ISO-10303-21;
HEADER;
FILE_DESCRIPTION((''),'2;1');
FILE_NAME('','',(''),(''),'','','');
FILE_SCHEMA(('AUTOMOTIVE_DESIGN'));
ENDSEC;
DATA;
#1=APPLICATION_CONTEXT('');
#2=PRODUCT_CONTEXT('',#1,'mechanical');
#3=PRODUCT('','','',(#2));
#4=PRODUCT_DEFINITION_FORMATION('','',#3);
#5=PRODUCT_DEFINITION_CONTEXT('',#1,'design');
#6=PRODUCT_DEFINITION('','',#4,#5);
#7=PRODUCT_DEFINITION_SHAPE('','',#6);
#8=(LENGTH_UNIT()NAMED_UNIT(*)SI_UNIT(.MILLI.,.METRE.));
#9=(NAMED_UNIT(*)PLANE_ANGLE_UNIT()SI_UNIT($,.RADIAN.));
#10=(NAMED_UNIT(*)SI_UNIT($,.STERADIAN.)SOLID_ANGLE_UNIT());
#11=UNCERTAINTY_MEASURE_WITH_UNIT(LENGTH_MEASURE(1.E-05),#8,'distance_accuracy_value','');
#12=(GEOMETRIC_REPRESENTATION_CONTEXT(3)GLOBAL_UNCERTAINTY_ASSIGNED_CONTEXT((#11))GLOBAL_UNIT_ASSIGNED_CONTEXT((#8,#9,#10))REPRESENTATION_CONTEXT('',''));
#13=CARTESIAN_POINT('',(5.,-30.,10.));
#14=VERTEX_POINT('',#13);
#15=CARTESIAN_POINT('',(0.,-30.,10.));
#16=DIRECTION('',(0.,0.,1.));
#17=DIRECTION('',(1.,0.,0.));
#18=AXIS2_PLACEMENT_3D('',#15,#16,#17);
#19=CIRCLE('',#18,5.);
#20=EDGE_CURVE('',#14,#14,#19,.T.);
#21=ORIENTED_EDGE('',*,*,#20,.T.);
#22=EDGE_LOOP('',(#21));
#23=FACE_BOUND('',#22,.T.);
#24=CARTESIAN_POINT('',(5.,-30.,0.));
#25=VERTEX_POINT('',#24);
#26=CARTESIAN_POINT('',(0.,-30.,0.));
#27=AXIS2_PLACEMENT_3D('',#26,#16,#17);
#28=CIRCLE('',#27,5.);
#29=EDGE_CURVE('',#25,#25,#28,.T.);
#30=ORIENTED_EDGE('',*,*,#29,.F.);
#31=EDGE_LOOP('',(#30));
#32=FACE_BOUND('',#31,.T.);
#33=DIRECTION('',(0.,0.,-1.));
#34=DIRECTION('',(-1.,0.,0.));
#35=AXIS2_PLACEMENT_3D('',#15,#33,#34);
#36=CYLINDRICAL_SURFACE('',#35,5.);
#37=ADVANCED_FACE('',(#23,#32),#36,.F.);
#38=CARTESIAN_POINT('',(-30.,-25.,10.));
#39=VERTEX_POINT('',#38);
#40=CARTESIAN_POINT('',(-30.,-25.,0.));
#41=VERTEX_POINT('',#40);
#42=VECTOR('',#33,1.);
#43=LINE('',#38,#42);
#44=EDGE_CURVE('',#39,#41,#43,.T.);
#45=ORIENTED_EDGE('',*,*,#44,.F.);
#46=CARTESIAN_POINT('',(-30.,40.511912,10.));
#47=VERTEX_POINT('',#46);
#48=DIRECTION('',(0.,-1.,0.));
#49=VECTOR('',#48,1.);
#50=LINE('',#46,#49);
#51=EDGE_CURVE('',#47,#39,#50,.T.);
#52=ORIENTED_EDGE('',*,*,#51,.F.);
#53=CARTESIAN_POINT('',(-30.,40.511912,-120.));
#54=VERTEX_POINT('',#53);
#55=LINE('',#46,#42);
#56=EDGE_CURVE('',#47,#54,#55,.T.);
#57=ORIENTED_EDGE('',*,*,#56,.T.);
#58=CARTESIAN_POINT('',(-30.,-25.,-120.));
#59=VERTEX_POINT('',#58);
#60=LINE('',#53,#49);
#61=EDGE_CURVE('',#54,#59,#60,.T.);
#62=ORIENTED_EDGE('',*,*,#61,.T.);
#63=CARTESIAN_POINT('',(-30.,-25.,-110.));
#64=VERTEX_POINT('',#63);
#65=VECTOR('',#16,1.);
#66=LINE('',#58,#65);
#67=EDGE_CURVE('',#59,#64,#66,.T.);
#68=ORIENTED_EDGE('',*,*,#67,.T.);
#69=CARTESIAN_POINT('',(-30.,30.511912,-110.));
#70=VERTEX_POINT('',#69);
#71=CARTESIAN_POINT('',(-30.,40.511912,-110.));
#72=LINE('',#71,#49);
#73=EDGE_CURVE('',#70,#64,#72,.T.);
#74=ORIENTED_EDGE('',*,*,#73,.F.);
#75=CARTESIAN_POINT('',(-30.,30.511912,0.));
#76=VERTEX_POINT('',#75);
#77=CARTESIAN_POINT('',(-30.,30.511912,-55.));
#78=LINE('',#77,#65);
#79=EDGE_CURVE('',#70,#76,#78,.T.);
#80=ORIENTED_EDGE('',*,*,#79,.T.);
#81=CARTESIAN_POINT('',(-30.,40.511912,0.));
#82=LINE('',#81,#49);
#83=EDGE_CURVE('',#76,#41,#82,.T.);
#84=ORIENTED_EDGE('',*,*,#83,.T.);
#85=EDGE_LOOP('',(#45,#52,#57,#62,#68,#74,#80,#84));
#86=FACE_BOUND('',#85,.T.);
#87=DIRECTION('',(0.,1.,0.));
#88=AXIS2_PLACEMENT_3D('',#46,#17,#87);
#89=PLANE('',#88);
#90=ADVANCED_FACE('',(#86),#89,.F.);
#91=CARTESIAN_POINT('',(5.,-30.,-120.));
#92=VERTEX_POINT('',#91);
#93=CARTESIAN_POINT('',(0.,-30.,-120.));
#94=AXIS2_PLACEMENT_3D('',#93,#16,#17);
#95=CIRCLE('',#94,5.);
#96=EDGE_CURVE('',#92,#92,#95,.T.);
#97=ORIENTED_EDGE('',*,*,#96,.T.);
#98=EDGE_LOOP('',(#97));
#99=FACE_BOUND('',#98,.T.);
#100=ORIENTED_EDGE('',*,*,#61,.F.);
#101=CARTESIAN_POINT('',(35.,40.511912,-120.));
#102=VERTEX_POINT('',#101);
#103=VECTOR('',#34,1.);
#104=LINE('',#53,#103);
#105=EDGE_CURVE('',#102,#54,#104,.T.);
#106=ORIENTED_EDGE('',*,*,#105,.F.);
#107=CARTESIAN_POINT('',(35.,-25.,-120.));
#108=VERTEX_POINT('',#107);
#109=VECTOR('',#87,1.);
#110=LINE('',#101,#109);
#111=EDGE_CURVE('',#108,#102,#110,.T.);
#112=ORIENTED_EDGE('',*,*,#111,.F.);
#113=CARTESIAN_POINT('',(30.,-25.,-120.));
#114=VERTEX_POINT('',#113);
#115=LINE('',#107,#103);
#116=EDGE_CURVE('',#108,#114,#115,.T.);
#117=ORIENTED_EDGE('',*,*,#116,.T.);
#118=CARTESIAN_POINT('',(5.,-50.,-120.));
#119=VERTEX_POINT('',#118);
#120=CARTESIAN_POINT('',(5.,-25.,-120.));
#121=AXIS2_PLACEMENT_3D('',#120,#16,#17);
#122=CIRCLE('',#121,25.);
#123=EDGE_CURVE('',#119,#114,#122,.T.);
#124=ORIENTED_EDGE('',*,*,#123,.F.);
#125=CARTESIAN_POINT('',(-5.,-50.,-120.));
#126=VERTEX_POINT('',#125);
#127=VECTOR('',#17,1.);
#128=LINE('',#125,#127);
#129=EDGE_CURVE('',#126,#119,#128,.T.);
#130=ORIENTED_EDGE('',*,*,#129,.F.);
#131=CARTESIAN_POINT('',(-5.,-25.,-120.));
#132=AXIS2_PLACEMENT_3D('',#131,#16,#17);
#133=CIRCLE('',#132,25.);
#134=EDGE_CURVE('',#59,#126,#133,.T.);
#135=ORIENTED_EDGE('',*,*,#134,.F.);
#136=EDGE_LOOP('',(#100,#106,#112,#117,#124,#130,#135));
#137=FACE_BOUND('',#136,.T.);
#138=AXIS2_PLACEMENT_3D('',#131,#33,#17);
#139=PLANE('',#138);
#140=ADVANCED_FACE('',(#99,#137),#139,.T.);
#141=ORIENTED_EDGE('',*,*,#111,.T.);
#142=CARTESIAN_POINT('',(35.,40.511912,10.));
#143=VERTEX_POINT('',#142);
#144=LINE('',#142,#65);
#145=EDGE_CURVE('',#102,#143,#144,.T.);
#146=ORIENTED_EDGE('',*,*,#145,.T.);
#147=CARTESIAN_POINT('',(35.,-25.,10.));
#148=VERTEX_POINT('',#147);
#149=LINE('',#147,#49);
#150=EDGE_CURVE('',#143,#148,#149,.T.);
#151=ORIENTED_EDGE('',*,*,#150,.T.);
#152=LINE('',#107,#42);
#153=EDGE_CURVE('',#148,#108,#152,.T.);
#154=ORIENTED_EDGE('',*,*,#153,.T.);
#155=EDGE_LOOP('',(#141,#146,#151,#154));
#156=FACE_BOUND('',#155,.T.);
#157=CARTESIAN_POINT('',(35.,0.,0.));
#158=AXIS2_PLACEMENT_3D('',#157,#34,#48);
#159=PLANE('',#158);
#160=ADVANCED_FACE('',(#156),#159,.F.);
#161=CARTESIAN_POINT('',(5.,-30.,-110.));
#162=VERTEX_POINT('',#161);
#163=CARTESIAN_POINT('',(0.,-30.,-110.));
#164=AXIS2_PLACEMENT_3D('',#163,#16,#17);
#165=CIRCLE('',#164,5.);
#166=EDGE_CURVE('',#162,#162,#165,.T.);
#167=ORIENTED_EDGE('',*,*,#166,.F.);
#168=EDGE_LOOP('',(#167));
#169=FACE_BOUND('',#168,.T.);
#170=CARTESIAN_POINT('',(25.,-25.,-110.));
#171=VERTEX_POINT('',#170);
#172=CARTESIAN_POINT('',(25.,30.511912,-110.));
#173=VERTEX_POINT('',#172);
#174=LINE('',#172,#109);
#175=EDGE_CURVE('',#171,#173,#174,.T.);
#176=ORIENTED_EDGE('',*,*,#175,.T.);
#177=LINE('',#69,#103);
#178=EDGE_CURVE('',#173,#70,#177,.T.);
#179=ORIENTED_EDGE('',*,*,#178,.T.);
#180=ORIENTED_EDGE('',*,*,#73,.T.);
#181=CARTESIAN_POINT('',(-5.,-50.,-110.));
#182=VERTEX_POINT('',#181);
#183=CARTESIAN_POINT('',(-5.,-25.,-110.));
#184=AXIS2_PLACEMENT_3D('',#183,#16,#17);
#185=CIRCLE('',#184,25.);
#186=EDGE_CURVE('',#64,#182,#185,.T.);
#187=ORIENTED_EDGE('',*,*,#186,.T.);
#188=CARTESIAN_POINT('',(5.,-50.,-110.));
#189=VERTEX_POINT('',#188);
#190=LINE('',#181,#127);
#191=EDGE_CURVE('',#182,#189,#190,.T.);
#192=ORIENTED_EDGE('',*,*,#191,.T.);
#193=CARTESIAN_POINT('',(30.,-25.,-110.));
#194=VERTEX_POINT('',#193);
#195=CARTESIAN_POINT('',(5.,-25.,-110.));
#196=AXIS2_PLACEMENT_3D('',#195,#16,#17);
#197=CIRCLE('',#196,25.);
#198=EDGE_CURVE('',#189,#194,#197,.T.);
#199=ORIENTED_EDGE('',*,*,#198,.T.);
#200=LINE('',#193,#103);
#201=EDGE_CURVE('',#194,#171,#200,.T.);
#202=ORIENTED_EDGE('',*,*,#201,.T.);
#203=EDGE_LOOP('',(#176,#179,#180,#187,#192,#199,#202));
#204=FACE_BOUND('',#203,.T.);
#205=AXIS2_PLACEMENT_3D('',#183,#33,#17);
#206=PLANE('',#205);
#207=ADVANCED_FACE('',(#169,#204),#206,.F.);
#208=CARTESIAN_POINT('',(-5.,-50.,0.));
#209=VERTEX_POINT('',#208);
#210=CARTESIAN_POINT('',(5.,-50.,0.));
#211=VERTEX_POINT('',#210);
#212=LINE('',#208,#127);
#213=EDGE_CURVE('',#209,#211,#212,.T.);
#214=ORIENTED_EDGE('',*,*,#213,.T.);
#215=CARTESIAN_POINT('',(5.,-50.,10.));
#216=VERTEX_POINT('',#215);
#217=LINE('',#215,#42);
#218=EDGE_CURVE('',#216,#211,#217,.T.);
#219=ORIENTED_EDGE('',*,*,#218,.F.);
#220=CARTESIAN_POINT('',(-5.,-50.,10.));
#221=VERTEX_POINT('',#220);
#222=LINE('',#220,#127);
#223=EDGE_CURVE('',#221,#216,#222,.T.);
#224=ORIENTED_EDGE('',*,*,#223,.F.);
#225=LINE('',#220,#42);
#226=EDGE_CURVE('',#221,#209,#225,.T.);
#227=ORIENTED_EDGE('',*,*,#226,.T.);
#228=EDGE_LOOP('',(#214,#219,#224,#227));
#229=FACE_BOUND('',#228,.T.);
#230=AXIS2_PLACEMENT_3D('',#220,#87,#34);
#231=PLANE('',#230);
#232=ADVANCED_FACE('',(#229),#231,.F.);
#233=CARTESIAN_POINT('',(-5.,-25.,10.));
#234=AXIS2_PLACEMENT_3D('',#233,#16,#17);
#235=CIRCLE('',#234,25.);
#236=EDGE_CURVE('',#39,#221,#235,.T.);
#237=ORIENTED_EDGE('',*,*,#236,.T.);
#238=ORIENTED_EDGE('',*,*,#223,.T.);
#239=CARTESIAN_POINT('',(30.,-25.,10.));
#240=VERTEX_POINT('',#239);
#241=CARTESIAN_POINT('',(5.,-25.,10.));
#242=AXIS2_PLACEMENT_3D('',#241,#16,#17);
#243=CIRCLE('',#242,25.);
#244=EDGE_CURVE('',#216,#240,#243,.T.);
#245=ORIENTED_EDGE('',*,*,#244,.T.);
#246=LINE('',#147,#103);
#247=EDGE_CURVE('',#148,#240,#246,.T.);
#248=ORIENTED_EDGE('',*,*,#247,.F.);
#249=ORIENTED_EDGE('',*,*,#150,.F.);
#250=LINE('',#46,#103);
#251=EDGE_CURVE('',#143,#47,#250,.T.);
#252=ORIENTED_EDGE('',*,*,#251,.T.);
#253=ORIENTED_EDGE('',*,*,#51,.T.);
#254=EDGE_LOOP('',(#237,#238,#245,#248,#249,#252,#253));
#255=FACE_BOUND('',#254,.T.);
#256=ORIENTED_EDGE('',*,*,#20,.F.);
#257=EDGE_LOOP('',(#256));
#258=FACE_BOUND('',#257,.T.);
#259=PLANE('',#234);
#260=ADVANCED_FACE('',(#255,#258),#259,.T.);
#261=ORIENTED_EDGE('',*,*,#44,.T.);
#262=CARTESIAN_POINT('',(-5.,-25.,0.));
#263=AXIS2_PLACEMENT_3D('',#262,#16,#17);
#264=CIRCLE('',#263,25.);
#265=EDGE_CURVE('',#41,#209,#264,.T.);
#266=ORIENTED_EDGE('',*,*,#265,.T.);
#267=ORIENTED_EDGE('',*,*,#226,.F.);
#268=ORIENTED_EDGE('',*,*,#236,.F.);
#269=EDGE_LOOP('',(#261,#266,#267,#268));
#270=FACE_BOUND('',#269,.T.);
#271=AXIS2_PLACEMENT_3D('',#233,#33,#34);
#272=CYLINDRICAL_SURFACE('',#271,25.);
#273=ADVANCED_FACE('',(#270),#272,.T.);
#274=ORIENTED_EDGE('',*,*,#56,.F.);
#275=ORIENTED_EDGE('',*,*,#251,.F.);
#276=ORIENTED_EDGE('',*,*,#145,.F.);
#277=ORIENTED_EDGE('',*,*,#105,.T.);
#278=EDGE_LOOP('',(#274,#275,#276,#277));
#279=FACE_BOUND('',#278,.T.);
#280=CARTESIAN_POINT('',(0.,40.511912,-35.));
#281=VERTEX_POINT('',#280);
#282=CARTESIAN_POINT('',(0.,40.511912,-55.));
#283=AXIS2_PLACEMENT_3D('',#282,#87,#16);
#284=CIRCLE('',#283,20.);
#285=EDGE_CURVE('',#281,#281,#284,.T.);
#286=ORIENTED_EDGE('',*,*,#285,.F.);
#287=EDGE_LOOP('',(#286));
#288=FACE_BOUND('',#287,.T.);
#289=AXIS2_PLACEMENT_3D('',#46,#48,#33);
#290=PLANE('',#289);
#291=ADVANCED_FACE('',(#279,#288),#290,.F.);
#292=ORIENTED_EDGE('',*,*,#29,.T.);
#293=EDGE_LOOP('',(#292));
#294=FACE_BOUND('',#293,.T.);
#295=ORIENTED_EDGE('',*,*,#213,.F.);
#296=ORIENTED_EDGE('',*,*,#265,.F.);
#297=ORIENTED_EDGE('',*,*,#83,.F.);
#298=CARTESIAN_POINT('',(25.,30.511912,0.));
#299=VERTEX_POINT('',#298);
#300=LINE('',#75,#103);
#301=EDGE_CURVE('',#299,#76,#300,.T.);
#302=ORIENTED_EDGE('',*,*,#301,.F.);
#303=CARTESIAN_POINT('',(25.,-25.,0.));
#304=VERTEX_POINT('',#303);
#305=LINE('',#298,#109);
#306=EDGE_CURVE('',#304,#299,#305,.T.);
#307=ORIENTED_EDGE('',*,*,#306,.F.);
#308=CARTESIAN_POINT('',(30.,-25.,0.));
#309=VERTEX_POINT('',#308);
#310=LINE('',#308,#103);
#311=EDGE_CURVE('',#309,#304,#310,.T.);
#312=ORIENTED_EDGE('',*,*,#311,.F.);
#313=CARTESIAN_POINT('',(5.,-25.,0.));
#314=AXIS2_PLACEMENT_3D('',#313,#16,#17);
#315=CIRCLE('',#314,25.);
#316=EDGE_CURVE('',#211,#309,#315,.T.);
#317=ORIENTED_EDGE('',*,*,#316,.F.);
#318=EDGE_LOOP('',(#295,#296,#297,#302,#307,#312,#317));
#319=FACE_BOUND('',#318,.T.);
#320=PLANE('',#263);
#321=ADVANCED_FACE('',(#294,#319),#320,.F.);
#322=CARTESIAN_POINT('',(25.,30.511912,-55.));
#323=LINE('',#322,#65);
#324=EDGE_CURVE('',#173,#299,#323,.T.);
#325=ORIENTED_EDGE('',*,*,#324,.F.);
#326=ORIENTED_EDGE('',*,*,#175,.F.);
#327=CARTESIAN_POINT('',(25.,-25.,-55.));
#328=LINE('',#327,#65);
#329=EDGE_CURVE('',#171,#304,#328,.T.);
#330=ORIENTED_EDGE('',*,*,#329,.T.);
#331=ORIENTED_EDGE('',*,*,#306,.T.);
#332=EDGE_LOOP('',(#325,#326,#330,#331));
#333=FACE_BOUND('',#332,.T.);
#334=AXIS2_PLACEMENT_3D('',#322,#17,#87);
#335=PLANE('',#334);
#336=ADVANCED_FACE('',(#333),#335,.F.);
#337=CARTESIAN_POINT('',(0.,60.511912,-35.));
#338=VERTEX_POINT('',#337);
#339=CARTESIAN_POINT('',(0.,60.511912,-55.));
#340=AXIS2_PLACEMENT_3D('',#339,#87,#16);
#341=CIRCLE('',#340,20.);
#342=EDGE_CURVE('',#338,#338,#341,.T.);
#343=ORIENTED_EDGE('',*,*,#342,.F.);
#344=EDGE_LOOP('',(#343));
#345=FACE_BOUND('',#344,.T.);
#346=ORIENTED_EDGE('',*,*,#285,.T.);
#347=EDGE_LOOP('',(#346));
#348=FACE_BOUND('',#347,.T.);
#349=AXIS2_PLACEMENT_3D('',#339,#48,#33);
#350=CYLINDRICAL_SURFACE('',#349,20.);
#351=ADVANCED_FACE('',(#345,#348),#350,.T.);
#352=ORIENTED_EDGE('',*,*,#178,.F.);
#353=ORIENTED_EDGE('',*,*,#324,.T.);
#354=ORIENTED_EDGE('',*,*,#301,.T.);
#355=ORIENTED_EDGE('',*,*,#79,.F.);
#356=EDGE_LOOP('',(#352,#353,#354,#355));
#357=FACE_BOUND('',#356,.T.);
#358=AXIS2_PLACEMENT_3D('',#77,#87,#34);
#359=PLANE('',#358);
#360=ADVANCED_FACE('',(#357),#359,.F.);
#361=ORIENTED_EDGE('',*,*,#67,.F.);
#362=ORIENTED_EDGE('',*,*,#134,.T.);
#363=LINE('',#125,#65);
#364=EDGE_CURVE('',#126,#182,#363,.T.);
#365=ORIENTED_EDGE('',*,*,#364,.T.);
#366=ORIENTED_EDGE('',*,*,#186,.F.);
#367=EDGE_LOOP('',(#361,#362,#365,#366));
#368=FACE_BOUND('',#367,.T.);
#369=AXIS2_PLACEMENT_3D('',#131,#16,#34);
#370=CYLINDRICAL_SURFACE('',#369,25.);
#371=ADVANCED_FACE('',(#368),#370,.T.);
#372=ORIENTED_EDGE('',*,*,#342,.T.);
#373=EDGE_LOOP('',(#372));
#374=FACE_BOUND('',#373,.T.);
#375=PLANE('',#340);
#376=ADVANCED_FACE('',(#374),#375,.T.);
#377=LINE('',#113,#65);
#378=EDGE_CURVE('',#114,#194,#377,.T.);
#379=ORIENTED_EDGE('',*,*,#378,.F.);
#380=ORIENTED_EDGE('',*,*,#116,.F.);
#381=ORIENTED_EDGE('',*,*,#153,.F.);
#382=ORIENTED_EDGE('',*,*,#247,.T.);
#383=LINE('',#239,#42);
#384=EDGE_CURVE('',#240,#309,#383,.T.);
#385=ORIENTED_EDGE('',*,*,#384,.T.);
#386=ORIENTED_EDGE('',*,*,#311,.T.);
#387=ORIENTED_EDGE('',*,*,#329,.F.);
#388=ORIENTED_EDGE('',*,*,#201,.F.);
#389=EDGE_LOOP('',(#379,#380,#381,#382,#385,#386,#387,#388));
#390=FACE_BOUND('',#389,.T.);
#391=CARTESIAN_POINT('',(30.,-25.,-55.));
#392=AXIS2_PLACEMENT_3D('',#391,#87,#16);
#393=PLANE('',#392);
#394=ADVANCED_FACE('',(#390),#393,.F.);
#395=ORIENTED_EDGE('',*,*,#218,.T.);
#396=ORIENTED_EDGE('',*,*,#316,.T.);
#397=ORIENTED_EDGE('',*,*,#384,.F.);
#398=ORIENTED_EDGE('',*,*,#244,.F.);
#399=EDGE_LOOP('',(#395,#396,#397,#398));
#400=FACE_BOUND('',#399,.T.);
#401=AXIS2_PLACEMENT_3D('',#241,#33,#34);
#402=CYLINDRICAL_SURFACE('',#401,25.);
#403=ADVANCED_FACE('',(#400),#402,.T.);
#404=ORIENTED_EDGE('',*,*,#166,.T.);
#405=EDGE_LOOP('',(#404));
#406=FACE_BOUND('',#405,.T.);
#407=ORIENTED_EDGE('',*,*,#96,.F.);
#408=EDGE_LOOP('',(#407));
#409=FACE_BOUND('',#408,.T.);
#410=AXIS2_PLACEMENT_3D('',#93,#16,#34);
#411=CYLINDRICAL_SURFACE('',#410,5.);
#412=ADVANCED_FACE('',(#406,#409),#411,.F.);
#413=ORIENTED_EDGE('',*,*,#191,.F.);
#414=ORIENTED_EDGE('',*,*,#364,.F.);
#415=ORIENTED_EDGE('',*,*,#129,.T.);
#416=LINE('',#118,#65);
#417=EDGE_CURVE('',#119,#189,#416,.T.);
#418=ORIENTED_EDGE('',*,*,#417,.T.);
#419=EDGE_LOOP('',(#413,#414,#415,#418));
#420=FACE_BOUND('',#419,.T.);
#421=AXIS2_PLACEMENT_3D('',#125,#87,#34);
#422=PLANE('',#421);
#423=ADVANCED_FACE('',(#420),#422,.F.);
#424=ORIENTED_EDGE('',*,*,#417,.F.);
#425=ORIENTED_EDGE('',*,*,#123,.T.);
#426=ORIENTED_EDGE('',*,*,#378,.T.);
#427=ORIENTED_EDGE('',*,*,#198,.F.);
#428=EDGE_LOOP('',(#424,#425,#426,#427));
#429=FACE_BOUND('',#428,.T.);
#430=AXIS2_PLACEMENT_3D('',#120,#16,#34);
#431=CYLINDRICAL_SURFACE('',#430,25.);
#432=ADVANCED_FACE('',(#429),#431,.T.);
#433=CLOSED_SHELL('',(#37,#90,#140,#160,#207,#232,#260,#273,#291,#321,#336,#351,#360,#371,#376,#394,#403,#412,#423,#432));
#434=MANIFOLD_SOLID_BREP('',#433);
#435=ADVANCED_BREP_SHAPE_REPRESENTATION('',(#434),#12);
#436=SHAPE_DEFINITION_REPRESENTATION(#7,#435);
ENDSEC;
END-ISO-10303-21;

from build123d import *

# Parameters (mm, degrees)
SKETCH1_R           = 5
BOSS_EXTRUDE1_DEPTH = 10
BOSS_EXTRUDE2_DEPTH = 55
SKETCH3_R           = 20
BOSS_EXTRUDE3_DEPTH = 20
SKETCH4_W           = 130
SKETCH4_H           = 65.511911844
BOSS_EXTRUDE4_DEPTH = 5


with BuildPart() as part:
    # Sketch1 → Boss-Extrude1 (new body)
    with BuildSketch(Plane.XY):
        with BuildLine():
            Line((-30, 40.511911844), (30, 40.511911844))
            Line((30, 40.511911844), (30, -25))
            ThreePointArc((30, -25), (22.67766953, -42.67766953), (5, -50))
            Line((5, -50), (-5, -50))
            ThreePointArc((-5, -50), (-22.67766953, -42.67766953), (-30, -25))
            Line((-30, -25), (-30, 40.511911844))
        make_face()
        with Locations((0, -30)):
            Circle(SKETCH1_R, mode=Mode.SUBTRACT)
    boss_extrude1 = extrude(amount=BOSS_EXTRUDE1_DEPTH)

    # Sketch2 → Boss-Extrude2 (add)
    with BuildSketch(Plane(origin=(0, 0, 0), x_dir=(-1, 0, 0), z_dir=(0, 0, -1))):
        Polygon((-30, 40.511911844), (-30, -25), (-25, -25), (-25, 30.511911844), (30, 30.511911844), (30, 40.511911844), align=None)
    boss_extrude2 = extrude(amount=BOSS_EXTRUDE2_DEPTH)

    # Mirror1: Boss-Extrude1, Boss-Extrude2 across plane
    add(boss_extrude1.mirror(Plane(origin=(0, 0, -55), x_dir=(1, 0, 0), z_dir=(0, 0, -1))))
    add(boss_extrude2.mirror(Plane(origin=(0, 0, -55), x_dir=(1, 0, 0), z_dir=(0, 0, -1))))

    # Sketch3 → Boss-Extrude3 (add)
    with BuildSketch(Plane(origin=(0, 40.511911844, 0), x_dir=(1, 0, 0), z_dir=(0, 1, 0))):
        with Locations(Location((0, 55, 0), (0, 0, 270))):
            Circle(SKETCH3_R)
    extrude(amount=BOSS_EXTRUDE3_DEPTH)

    # Sketch4 → Boss-Extrude4 (add)
    with BuildSketch(Plane(origin=(30, 0, 0), x_dir=(0, 0, -1), z_dir=(1, 0, 0))):
        with Locations((55, 7.755955922)):
            Rectangle(SKETCH4_W, SKETCH4_H)
    extrude(amount=BOSS_EXTRUDE4_DEPTH)


solid = part.part
